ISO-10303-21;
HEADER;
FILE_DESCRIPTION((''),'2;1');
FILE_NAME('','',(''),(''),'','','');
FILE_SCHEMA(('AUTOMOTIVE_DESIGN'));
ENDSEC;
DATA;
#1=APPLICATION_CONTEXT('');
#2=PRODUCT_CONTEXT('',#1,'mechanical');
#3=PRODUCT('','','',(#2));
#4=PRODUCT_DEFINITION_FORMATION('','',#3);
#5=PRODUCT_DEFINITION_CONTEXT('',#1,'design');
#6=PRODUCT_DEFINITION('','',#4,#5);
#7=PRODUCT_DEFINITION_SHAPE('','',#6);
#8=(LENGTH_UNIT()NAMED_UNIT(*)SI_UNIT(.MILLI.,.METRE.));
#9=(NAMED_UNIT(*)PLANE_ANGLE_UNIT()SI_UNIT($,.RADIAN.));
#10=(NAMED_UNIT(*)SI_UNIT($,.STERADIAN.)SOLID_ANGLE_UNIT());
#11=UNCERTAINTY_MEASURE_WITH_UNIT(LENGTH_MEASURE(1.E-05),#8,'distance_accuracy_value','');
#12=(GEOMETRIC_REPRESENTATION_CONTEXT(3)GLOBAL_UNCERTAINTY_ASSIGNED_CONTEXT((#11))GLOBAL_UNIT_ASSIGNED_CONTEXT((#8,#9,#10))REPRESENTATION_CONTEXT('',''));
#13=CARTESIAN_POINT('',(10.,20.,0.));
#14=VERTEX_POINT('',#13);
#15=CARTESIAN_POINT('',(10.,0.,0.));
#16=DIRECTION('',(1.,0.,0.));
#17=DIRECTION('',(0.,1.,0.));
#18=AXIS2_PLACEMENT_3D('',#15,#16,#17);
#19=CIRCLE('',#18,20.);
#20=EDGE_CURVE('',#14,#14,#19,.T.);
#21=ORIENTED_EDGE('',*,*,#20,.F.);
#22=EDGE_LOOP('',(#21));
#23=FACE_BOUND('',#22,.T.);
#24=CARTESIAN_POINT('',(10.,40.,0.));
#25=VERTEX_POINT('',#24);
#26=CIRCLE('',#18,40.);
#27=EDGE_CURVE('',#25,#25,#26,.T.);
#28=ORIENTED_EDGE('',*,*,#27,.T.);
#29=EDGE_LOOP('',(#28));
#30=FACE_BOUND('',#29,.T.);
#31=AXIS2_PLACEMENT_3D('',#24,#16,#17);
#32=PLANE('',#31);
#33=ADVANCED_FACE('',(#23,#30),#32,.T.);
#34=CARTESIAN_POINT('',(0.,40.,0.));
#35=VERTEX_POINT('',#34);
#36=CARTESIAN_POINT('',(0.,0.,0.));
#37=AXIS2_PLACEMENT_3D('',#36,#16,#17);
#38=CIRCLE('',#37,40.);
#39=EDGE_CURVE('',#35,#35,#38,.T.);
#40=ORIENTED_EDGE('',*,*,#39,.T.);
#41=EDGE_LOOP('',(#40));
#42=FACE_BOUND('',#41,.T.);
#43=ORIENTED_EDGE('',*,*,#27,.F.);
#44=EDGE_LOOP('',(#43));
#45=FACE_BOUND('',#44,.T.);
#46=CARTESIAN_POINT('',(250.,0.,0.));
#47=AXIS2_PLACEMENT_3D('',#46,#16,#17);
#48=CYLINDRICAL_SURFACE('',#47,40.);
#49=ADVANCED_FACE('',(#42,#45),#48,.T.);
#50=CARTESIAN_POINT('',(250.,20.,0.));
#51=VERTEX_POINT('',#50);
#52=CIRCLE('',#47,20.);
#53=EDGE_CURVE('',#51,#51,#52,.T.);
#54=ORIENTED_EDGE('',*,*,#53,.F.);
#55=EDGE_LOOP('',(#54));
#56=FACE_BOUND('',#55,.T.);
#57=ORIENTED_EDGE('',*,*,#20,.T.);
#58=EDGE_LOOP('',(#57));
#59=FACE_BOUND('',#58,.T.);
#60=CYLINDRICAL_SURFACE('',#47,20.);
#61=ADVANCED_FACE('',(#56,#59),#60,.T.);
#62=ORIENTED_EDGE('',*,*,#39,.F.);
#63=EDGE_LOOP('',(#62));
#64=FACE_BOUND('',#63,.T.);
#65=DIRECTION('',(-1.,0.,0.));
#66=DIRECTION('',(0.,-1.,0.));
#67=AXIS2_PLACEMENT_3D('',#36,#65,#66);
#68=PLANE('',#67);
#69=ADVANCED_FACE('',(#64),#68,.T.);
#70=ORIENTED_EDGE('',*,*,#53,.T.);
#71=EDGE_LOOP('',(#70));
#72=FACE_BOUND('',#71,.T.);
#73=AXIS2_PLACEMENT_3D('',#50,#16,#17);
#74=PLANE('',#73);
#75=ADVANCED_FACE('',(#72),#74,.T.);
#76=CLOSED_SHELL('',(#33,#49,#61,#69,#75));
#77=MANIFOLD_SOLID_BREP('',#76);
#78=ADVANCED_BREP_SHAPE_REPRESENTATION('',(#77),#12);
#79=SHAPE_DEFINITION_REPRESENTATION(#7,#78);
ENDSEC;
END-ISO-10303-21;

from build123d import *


with BuildPart() as part:
    # Sketch4 → Revolve1 (revolve)
    with BuildSketch(Plane.XY):
        Polygon((0, 0), (0, 40), (10, 40), (10, 20), (250, 20), (250, 0), align=None)
    revolve(axis=Axis((250, 0, 0), (-1, 0, 0)))


solid = part.part
